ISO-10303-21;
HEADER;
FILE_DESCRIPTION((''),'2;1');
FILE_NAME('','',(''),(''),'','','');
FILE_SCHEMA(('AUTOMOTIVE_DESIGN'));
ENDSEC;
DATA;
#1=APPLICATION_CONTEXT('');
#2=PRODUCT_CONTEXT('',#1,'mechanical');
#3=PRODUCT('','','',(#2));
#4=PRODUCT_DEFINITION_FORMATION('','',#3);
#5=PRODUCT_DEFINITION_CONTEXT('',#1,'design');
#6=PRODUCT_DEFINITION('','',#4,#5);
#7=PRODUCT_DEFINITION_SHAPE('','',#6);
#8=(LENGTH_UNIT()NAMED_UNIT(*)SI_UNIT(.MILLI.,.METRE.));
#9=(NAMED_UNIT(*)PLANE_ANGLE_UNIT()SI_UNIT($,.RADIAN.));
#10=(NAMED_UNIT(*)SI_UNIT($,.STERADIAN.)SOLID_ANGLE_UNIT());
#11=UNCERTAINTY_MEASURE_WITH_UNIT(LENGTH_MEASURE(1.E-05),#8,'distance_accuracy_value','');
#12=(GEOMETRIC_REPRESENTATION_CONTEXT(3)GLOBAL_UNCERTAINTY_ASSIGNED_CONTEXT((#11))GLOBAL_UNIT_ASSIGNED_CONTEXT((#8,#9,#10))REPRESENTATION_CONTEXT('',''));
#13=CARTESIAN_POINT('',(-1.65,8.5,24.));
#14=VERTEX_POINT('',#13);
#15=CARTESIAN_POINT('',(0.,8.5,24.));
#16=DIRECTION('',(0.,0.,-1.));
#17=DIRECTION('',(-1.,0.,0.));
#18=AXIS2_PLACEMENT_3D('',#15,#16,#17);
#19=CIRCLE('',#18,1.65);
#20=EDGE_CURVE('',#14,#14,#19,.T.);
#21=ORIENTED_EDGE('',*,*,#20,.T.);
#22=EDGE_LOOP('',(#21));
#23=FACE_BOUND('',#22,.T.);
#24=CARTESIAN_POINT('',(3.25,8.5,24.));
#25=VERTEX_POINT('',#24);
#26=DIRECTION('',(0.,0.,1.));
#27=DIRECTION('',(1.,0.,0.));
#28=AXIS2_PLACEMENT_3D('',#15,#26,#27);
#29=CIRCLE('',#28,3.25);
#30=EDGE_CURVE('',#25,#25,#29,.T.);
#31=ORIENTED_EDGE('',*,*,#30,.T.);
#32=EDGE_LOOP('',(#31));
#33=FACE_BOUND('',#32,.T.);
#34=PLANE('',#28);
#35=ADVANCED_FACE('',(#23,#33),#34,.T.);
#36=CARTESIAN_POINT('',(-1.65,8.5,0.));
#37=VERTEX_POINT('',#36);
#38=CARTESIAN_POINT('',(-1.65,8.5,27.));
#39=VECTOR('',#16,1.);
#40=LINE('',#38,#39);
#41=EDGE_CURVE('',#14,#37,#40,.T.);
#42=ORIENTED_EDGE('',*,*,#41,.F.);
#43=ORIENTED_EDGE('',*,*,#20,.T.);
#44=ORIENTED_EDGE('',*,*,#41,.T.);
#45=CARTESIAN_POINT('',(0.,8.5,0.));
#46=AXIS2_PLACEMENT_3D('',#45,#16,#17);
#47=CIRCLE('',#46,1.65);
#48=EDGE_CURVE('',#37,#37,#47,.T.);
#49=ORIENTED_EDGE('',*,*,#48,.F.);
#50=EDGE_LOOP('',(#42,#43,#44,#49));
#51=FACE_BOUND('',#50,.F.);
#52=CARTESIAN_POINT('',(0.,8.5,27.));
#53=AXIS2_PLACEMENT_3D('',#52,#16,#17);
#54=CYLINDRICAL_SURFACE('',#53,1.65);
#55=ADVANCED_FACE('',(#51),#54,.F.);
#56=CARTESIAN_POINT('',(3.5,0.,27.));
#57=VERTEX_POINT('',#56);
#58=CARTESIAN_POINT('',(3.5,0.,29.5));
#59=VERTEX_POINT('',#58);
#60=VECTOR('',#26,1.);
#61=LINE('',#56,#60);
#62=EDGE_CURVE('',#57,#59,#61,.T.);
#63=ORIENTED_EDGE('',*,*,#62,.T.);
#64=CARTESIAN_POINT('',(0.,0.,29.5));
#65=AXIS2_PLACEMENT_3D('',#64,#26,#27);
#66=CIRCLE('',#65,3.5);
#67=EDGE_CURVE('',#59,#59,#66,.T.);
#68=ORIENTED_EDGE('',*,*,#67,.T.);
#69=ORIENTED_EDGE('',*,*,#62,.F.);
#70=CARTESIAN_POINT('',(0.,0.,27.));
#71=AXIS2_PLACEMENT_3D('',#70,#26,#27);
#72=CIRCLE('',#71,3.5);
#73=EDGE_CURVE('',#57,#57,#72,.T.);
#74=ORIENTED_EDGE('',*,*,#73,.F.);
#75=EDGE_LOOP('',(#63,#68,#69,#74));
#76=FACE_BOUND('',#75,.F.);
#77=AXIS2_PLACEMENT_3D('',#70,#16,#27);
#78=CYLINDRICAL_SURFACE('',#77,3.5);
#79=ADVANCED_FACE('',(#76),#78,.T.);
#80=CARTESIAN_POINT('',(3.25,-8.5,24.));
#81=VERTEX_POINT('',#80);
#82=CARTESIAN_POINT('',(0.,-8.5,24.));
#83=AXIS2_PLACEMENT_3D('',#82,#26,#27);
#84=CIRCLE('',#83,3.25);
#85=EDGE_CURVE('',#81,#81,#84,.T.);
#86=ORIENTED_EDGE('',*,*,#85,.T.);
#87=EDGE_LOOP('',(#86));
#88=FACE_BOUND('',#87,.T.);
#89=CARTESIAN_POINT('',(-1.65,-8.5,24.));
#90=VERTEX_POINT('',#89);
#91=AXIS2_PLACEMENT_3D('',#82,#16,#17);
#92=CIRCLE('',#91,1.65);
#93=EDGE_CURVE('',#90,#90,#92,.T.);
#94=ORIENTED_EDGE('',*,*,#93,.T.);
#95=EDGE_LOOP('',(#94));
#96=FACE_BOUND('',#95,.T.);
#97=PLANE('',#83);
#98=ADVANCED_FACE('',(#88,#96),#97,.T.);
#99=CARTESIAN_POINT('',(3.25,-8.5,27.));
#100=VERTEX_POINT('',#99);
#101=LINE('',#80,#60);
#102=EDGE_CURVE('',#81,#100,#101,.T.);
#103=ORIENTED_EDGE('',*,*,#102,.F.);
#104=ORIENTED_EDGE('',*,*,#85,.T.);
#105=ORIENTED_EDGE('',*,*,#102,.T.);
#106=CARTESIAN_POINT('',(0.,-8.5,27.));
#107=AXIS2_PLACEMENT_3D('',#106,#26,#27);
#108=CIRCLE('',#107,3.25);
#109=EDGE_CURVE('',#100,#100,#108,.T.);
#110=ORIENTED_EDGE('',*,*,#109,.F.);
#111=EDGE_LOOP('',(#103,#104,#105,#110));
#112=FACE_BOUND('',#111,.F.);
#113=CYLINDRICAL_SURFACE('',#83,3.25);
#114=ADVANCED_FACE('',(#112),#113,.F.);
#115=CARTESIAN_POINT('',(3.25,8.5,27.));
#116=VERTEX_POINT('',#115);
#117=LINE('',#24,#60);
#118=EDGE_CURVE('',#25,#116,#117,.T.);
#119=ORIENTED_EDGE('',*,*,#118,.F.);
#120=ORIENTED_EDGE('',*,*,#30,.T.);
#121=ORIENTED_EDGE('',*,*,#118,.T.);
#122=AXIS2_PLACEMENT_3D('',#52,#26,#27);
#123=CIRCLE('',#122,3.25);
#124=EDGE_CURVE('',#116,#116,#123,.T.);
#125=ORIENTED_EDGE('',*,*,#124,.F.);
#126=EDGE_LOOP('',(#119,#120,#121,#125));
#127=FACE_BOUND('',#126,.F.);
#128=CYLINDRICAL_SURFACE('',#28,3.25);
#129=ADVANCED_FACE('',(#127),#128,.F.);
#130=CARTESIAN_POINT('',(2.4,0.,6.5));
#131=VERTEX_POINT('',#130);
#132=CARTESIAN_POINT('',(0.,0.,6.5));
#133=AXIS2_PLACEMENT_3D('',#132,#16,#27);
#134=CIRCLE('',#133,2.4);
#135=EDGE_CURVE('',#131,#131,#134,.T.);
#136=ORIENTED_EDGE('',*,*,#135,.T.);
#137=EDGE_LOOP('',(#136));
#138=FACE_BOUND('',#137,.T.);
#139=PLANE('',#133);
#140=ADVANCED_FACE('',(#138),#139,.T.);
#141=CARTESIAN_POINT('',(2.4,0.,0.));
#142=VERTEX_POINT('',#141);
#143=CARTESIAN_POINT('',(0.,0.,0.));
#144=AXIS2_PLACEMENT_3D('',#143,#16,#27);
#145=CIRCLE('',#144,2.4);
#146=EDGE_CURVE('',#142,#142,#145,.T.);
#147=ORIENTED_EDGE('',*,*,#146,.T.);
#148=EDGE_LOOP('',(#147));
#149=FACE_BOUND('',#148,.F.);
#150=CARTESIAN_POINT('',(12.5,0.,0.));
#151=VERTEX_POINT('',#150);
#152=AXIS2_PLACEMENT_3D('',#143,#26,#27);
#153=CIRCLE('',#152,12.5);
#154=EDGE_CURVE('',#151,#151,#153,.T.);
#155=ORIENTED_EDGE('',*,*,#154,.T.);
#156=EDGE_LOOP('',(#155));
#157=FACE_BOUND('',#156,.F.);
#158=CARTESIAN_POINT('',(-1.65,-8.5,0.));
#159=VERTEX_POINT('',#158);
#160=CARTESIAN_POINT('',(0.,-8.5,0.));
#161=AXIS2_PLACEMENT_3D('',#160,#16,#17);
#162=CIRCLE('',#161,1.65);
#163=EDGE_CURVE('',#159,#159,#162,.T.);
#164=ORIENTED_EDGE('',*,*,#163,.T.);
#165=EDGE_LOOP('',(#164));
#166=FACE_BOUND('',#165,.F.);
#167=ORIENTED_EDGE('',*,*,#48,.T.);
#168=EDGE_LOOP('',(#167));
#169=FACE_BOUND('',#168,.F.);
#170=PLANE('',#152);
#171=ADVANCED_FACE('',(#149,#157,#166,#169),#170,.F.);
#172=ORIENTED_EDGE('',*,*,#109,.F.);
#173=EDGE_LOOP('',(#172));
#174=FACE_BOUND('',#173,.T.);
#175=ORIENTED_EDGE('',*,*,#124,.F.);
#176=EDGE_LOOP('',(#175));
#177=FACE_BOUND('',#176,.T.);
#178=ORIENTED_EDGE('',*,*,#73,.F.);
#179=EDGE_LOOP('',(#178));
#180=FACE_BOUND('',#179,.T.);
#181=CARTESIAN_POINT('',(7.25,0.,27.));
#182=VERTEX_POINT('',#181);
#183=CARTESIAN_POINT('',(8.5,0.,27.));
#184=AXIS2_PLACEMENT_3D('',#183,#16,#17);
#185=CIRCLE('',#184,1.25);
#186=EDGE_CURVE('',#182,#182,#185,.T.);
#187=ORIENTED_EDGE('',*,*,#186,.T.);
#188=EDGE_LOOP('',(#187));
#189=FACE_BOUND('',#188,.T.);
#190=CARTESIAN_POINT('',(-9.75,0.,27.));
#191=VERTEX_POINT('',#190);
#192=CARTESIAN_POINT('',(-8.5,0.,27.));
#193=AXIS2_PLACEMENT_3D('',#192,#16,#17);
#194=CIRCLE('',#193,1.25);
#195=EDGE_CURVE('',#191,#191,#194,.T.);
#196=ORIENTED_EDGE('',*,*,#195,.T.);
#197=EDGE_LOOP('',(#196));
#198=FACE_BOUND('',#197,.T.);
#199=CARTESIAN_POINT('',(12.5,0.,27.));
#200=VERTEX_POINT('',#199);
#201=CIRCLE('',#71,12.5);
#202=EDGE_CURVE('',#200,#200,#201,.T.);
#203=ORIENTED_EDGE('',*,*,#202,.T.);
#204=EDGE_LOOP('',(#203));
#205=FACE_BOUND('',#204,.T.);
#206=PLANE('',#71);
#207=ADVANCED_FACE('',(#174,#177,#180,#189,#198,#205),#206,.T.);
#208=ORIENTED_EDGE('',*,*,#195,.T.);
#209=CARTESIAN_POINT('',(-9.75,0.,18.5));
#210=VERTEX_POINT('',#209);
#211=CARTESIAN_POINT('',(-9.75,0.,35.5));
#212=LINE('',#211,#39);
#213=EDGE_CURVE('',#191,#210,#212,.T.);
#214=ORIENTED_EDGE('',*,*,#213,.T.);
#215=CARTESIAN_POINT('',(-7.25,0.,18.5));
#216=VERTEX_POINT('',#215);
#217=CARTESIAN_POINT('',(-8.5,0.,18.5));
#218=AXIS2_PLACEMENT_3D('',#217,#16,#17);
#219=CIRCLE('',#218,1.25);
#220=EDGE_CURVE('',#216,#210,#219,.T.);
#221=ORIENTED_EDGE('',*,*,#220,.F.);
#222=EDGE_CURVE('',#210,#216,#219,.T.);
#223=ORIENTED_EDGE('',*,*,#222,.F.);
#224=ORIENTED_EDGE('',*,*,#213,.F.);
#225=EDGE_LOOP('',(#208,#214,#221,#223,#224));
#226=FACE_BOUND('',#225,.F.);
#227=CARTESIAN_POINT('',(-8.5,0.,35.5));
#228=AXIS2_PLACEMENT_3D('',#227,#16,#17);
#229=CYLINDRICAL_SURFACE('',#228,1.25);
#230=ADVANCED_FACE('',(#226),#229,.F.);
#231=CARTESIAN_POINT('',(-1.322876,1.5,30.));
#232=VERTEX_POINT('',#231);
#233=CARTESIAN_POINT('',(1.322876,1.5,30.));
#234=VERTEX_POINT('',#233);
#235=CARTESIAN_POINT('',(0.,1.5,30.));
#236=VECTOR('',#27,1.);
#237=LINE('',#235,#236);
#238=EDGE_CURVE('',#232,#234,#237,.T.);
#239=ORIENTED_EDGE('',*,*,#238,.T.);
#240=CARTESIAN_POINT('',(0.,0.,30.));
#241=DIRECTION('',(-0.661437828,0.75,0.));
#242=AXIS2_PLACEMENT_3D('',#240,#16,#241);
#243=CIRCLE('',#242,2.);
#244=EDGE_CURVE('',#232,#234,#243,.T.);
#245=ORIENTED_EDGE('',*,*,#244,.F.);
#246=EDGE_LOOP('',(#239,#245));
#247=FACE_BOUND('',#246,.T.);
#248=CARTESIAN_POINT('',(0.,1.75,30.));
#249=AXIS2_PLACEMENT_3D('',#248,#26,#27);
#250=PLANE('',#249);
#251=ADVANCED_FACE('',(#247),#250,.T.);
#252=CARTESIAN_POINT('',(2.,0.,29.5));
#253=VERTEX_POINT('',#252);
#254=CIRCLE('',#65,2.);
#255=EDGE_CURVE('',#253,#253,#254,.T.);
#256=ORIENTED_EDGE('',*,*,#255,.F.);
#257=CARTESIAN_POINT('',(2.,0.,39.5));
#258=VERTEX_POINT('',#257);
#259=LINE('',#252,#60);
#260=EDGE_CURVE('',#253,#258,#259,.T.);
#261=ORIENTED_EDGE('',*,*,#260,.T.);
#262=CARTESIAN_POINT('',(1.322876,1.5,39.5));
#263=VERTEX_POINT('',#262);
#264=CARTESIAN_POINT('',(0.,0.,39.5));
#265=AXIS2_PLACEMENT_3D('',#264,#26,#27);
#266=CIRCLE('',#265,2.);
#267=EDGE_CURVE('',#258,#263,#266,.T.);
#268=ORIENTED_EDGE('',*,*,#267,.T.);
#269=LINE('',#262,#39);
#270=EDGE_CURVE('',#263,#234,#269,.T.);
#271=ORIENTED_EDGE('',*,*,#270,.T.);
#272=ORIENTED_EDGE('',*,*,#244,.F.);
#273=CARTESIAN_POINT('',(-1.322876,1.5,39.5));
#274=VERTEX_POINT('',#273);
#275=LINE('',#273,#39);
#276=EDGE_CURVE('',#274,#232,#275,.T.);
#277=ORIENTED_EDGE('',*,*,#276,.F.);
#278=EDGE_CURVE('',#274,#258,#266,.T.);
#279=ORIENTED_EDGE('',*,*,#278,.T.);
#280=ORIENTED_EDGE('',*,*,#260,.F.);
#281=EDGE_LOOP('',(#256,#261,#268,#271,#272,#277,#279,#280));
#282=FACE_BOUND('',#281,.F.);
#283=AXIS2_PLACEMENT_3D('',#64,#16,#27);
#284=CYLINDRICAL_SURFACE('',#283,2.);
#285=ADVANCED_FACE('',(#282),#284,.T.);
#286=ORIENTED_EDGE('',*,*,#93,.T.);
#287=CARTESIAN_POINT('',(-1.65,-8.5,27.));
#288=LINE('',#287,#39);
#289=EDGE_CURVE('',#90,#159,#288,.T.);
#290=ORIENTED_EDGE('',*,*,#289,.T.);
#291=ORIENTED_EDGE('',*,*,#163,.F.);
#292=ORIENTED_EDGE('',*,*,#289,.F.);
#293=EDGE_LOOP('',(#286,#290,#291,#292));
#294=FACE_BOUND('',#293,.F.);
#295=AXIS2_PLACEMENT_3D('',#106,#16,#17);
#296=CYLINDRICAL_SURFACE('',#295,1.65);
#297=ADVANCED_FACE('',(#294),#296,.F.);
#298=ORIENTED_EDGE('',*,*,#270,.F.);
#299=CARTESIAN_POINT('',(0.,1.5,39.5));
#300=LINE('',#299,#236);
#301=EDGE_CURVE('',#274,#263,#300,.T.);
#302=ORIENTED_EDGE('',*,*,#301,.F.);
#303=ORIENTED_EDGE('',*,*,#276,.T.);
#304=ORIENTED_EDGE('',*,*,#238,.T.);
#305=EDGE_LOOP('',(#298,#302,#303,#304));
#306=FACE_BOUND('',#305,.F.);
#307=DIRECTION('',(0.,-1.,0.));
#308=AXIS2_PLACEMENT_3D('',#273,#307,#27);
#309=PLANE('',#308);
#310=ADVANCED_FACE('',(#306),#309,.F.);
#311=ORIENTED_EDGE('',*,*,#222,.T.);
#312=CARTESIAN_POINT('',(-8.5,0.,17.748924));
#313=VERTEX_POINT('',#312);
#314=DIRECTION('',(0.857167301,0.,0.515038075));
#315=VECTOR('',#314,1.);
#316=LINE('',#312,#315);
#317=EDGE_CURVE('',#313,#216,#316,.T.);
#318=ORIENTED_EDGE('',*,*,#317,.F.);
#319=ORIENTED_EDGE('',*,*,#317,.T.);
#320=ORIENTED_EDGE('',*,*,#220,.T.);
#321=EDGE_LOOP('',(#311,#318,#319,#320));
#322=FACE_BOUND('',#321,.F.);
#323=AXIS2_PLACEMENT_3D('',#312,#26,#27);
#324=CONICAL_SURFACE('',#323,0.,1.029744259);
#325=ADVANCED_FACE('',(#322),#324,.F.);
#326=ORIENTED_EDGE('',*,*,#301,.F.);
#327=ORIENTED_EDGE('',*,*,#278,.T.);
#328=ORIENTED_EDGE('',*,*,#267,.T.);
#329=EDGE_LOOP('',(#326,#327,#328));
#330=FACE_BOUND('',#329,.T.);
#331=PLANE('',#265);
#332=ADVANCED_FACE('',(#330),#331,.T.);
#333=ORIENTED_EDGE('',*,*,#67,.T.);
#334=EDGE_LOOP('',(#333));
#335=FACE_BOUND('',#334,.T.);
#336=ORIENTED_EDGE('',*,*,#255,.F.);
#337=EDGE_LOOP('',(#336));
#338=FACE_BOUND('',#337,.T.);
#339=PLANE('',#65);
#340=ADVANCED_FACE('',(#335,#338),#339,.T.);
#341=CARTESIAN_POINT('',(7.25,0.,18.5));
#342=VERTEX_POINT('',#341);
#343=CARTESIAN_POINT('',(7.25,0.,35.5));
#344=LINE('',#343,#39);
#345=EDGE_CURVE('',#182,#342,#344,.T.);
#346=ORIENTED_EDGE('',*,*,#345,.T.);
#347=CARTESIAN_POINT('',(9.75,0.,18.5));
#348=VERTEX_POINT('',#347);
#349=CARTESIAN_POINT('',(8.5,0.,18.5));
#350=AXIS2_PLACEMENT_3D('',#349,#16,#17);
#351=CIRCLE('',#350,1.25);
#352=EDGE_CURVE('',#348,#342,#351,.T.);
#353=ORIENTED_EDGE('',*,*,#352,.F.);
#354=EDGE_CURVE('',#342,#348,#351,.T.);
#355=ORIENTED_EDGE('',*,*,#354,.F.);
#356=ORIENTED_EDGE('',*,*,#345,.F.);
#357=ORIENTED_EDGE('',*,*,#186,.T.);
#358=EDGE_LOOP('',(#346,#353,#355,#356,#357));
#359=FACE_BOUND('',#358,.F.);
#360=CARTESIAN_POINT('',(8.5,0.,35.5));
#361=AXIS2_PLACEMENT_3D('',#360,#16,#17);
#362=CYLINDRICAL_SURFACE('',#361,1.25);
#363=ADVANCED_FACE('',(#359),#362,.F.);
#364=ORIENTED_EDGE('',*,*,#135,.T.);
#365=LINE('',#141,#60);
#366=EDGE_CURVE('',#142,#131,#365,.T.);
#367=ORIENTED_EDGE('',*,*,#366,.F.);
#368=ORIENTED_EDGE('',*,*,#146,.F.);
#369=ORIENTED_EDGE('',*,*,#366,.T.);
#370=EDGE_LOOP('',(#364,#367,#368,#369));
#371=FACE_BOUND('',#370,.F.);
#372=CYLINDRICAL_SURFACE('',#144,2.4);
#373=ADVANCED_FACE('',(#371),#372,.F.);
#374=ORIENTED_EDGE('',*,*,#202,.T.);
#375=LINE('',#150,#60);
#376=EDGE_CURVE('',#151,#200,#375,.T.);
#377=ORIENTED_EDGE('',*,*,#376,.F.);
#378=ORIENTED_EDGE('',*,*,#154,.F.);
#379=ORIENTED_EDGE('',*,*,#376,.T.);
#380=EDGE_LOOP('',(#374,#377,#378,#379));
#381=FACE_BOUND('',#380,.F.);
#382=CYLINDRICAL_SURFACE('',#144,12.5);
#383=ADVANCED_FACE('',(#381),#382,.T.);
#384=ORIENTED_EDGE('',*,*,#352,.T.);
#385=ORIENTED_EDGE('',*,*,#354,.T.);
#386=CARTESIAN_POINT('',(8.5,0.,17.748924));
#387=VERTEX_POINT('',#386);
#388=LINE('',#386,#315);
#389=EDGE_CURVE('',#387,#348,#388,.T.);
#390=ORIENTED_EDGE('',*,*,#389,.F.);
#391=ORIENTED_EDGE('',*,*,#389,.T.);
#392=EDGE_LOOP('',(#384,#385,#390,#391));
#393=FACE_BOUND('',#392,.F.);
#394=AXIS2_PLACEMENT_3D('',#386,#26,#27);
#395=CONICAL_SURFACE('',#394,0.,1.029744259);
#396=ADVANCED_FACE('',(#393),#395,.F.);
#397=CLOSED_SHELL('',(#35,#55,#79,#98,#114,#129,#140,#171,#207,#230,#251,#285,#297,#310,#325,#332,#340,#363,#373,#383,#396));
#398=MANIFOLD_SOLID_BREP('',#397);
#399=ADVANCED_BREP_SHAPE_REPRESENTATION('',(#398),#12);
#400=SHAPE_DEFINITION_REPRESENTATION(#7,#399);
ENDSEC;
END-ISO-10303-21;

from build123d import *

# Parameters (mm, degrees)
F0_R           = 12.5
F1_DEPTH       = 27
F2_R           = 3.5
F3_DEPTH       = 2.5
F4_R           = 2
F5_DEPTH       = 10
F7_D           = 2.5
F7_DEPTH       = 8.5
F7_TIP         = 0.7510757738
F8_D           = 3.3
F8_CBORE_D     = 6.5
F8_CBORE_DEPTH = 3
F9_R           = 2.4
F10_DEPTH      = 6.5
F11_W          = 2.6457513111
F11_H          = 0.5
F12_DEPTH      = 9.5


with BuildPart() as f1:
    # F0 (on Top) → F1 (new body)
    with BuildSketch(Plane.XY):
        Circle(F0_R)
    extrude(amount=F1_DEPTH)

    # F2 (on face) → F3 (join)
    with BuildSketch(Plane.XY.offset(27)):
        Circle(F2_R)
    extrude(amount=F3_DEPTH)

    # F4 (on face) → F5 (join)
    with BuildSketch(Plane.XY.offset(29.5)):
        Circle(F4_R)
    extrude(amount=F5_DEPTH)

    # F7
    with Locations(Plane.XY.offset(27)):
        with Locations((-8.5, 0), (8.5, 0)):
            Hole(F7_D / 2, depth=F7_DEPTH)
            with Locations((0, 0, -(F7_DEPTH + F7_TIP / 2))):  # 118° drill point
                Cone(0, F7_D / 2, F7_TIP, mode=Mode.SUBTRACT)

    # F8 (through all)
    with Locations(Plane.XY.offset(27)):
        with Locations((0, 8.5), (0, -8.5)):
            CounterBoreHole(F8_D / 2, F8_CBORE_D / 2, F8_CBORE_DEPTH)

    # F9 (on face) → F10 (cut)
    with BuildSketch(Plane(origin=(0, 0, 0), x_dir=(1, 0, 0), z_dir=(0, 0, -1))):
        Circle(F9_R)
    extrude(amount=-F10_DEPTH, mode=Mode.SUBTRACT)

    # F11 (on face) → F12 (cut)
    with BuildSketch(Plane.XY.offset(39.5)):
        with Locations((0, 1.75)):
            Rectangle(F11_W, F11_H)
    extrude(amount=-F12_DEPTH, mode=Mode.SUBTRACT)


solid = f1.part
